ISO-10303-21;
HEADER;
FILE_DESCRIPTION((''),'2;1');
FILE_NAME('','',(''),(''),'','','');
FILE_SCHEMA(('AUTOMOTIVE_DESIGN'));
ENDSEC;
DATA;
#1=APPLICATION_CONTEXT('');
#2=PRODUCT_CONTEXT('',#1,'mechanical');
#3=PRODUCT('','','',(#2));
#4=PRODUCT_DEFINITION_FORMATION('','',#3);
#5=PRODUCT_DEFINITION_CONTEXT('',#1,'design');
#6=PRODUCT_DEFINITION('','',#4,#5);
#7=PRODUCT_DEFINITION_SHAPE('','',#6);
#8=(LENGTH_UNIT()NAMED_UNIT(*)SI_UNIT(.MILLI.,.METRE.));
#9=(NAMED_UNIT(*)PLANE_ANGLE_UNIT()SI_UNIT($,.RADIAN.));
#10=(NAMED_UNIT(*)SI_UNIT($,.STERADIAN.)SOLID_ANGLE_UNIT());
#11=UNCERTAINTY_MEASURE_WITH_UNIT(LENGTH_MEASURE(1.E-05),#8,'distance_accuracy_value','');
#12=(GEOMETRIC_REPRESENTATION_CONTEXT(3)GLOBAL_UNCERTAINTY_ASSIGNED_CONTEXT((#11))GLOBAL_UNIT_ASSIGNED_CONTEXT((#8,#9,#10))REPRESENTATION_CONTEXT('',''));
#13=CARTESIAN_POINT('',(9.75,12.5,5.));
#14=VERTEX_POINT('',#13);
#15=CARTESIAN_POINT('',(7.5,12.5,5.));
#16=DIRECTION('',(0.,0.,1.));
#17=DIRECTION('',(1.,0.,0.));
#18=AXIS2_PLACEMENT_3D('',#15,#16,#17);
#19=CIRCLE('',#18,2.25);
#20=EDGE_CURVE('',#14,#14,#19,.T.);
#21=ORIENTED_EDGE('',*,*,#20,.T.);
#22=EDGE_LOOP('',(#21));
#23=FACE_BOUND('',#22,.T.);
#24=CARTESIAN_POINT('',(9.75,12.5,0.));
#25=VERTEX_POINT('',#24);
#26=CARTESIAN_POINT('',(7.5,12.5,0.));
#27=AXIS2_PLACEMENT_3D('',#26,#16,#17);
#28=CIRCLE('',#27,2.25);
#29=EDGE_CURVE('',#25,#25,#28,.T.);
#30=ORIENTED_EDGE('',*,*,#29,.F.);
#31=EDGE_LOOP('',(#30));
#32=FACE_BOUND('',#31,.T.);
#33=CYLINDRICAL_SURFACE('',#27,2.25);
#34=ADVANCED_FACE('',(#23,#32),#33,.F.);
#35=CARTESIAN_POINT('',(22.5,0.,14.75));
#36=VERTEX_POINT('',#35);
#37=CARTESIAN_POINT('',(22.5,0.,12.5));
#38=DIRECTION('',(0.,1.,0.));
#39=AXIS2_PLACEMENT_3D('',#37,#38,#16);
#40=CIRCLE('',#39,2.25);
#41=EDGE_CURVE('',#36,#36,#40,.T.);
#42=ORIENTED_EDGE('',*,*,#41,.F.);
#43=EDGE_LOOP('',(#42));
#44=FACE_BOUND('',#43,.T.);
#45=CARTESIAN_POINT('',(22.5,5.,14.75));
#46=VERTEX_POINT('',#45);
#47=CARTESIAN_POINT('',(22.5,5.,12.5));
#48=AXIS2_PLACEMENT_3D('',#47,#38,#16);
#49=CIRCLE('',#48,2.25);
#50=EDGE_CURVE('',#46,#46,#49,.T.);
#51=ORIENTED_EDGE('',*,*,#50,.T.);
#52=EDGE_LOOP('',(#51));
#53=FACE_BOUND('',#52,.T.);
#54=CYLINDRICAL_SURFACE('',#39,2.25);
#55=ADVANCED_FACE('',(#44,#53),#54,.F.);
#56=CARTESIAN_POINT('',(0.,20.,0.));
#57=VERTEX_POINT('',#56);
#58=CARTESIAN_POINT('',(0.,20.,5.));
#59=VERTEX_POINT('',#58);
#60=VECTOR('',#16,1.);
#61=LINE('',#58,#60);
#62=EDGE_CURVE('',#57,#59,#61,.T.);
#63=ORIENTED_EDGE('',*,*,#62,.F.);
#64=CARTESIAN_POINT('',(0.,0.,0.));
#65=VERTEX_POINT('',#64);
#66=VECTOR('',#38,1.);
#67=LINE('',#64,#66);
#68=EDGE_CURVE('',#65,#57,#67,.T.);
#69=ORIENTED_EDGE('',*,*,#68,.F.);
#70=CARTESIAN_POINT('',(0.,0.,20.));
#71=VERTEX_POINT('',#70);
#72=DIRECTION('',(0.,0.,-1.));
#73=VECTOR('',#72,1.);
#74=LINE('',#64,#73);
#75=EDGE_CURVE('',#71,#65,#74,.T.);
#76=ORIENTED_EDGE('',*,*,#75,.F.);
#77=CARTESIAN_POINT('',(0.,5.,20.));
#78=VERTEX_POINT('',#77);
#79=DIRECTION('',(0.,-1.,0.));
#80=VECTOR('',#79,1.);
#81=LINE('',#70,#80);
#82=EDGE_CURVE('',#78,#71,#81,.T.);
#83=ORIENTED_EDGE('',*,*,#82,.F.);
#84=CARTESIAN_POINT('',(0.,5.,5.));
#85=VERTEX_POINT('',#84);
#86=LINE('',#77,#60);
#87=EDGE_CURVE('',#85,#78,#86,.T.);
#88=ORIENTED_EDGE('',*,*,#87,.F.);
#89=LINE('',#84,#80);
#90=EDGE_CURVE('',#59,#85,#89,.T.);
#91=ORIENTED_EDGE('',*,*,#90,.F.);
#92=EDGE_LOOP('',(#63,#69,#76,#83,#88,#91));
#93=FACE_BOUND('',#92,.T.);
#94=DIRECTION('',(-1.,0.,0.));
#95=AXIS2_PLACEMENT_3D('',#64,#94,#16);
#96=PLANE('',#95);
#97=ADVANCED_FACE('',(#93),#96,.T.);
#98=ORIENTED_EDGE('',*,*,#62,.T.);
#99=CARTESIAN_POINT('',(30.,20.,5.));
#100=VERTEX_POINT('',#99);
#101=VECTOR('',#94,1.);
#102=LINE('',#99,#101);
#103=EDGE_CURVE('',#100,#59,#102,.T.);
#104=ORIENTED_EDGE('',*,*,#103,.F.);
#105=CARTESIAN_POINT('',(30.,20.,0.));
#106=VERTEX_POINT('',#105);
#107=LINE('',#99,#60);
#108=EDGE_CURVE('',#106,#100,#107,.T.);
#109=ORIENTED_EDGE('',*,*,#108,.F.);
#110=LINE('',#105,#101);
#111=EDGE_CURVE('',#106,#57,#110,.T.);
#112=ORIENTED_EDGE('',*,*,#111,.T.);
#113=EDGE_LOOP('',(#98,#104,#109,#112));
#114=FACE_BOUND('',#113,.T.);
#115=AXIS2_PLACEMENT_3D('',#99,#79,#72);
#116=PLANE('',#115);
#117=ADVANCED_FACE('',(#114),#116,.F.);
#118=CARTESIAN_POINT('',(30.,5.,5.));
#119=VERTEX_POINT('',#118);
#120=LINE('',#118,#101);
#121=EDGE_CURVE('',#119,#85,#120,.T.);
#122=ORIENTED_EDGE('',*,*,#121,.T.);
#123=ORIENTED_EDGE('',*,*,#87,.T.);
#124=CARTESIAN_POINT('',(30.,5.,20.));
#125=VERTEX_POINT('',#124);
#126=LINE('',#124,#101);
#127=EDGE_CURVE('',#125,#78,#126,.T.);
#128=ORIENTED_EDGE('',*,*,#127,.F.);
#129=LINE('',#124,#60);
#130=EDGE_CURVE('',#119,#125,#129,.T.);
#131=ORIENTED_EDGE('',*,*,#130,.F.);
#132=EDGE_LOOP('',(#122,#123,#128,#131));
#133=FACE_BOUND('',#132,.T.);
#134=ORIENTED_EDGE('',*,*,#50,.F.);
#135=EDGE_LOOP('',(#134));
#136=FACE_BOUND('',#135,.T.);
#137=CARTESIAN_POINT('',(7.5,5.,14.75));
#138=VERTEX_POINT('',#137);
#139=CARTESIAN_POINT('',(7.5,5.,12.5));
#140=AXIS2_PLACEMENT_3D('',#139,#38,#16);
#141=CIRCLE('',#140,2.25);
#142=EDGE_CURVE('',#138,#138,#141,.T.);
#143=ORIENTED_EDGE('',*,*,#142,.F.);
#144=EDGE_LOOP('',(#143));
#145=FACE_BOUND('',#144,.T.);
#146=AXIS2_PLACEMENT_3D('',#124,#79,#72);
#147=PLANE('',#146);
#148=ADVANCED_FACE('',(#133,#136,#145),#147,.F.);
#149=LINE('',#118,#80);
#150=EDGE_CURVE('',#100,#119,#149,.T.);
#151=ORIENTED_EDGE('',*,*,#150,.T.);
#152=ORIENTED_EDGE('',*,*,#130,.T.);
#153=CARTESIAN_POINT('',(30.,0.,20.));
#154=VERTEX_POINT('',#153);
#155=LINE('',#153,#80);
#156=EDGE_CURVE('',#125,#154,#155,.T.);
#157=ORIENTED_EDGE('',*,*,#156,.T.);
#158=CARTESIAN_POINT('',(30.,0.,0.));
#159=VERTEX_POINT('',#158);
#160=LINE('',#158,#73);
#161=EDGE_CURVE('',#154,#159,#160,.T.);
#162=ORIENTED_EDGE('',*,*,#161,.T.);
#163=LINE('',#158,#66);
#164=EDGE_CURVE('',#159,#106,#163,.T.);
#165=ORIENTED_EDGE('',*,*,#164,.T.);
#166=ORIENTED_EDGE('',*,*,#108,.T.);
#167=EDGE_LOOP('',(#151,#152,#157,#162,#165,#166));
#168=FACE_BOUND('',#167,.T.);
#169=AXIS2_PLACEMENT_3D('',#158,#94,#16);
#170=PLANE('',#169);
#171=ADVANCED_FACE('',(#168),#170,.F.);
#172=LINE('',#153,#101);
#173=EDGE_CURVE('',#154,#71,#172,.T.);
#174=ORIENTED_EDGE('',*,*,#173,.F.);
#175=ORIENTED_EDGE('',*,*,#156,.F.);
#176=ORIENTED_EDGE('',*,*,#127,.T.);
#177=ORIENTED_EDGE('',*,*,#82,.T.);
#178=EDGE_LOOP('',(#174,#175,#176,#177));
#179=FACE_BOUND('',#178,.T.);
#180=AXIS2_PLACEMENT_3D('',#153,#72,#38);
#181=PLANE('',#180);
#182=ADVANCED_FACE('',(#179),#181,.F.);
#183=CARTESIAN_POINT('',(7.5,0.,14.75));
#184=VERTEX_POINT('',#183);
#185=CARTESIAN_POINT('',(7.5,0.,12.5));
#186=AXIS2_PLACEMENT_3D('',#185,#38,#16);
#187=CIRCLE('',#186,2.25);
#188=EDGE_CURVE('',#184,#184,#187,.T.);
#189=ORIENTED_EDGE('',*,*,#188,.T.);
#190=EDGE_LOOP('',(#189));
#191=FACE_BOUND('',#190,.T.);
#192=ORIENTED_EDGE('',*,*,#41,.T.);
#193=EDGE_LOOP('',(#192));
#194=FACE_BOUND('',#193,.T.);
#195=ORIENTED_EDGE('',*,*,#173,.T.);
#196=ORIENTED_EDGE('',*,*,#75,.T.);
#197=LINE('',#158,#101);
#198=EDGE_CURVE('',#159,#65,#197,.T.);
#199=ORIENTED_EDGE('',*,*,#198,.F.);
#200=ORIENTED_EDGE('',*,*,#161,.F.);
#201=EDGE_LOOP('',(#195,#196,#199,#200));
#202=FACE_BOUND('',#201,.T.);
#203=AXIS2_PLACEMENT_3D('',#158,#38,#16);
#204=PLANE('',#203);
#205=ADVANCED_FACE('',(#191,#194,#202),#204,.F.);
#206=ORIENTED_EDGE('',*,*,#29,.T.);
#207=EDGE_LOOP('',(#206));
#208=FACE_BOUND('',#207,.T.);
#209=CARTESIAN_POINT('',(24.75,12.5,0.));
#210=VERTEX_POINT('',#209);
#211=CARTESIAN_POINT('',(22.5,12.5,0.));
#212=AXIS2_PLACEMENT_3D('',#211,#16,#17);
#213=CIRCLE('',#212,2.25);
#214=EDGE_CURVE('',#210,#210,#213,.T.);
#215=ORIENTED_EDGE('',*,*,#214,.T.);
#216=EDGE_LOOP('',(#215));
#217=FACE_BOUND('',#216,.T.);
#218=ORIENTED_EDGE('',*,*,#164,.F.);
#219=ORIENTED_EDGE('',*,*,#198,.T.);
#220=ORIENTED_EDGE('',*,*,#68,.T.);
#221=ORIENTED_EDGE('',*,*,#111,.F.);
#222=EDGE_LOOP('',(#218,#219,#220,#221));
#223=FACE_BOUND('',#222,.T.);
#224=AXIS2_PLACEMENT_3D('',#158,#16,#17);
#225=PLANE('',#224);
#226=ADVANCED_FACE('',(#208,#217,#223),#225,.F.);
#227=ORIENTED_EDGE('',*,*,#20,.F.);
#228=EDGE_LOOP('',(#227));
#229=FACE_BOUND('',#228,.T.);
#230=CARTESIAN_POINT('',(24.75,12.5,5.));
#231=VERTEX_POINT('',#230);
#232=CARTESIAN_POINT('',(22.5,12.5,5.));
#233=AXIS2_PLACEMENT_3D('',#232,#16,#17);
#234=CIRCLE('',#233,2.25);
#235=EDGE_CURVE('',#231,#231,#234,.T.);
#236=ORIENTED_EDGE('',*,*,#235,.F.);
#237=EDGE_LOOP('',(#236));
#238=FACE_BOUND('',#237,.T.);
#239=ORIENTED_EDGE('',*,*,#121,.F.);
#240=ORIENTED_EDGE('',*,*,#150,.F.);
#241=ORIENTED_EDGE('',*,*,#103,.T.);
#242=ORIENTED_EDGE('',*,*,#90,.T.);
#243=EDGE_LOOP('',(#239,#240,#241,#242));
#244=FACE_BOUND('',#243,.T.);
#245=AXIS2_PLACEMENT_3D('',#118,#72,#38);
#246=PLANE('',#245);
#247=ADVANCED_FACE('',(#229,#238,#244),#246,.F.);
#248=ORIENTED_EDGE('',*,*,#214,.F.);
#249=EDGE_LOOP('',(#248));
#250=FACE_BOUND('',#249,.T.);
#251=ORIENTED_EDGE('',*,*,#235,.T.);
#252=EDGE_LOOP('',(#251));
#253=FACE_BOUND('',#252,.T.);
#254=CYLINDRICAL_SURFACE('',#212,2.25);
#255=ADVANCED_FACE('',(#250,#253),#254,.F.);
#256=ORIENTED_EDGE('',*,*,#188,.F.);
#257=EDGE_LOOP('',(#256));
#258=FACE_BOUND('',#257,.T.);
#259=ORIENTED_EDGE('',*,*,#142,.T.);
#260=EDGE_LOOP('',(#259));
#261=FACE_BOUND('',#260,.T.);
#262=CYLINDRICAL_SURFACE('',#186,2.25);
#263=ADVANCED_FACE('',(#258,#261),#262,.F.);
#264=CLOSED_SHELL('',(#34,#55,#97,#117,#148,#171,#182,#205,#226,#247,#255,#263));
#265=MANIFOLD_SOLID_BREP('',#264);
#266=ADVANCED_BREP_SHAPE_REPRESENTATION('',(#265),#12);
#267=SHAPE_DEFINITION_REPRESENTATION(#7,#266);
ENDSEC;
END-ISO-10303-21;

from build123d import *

# Parameters (mm, degrees)
BOSS_EXTRUDE1_DEPTH = 30
SKETCH2_R           = 2.25
CUT_EXTRUDE1_DEPTH  = 40.05124838
SKETCH3_R           = 2.25
CUT_EXTRUDE2_DEPTH  = 40.05124838


with BuildPart() as part:
    # Sketch1 → Boss-Extrude1 (new body)
    with BuildSketch(Plane(origin=(0, 0, 0), x_dir=(0, 0, -1), z_dir=(1, 0, 0))):
        Polygon((0, 0), (0, 20), (-5, 20), (-5, 5), (-20, 5), (-20, 0), align=None)
    extrude(amount=BOSS_EXTRUDE1_DEPTH)

    # Sketch2 → Cut-Extrude1 (cut, through all)
    with BuildSketch(Plane.XY.offset(5)):
        with Locations((7.5, 12.5)):
            Circle(SKETCH2_R)
        with Locations((22.5, 12.5)):
            Circle(SKETCH2_R)
    extrude(amount=-CUT_EXTRUDE1_DEPTH, mode=Mode.SUBTRACT)

    # Sketch3 → Cut-Extrude2 (cut, through all)
    with BuildSketch(Plane(origin=(0, 5, 0), x_dir=(1, 0, 0), z_dir=(0, 1, 0))):
        with Locations(Location((7.5, -12.5, 0), (0, 0, 270))):
            Circle(SKETCH3_R)
        with Locations(Location((22.5, -12.5, 0), (0, 0, 270))):
            Circle(SKETCH3_R)
    extrude(amount=-CUT_EXTRUDE2_DEPTH, mode=Mode.SUBTRACT)


solid = part.part
